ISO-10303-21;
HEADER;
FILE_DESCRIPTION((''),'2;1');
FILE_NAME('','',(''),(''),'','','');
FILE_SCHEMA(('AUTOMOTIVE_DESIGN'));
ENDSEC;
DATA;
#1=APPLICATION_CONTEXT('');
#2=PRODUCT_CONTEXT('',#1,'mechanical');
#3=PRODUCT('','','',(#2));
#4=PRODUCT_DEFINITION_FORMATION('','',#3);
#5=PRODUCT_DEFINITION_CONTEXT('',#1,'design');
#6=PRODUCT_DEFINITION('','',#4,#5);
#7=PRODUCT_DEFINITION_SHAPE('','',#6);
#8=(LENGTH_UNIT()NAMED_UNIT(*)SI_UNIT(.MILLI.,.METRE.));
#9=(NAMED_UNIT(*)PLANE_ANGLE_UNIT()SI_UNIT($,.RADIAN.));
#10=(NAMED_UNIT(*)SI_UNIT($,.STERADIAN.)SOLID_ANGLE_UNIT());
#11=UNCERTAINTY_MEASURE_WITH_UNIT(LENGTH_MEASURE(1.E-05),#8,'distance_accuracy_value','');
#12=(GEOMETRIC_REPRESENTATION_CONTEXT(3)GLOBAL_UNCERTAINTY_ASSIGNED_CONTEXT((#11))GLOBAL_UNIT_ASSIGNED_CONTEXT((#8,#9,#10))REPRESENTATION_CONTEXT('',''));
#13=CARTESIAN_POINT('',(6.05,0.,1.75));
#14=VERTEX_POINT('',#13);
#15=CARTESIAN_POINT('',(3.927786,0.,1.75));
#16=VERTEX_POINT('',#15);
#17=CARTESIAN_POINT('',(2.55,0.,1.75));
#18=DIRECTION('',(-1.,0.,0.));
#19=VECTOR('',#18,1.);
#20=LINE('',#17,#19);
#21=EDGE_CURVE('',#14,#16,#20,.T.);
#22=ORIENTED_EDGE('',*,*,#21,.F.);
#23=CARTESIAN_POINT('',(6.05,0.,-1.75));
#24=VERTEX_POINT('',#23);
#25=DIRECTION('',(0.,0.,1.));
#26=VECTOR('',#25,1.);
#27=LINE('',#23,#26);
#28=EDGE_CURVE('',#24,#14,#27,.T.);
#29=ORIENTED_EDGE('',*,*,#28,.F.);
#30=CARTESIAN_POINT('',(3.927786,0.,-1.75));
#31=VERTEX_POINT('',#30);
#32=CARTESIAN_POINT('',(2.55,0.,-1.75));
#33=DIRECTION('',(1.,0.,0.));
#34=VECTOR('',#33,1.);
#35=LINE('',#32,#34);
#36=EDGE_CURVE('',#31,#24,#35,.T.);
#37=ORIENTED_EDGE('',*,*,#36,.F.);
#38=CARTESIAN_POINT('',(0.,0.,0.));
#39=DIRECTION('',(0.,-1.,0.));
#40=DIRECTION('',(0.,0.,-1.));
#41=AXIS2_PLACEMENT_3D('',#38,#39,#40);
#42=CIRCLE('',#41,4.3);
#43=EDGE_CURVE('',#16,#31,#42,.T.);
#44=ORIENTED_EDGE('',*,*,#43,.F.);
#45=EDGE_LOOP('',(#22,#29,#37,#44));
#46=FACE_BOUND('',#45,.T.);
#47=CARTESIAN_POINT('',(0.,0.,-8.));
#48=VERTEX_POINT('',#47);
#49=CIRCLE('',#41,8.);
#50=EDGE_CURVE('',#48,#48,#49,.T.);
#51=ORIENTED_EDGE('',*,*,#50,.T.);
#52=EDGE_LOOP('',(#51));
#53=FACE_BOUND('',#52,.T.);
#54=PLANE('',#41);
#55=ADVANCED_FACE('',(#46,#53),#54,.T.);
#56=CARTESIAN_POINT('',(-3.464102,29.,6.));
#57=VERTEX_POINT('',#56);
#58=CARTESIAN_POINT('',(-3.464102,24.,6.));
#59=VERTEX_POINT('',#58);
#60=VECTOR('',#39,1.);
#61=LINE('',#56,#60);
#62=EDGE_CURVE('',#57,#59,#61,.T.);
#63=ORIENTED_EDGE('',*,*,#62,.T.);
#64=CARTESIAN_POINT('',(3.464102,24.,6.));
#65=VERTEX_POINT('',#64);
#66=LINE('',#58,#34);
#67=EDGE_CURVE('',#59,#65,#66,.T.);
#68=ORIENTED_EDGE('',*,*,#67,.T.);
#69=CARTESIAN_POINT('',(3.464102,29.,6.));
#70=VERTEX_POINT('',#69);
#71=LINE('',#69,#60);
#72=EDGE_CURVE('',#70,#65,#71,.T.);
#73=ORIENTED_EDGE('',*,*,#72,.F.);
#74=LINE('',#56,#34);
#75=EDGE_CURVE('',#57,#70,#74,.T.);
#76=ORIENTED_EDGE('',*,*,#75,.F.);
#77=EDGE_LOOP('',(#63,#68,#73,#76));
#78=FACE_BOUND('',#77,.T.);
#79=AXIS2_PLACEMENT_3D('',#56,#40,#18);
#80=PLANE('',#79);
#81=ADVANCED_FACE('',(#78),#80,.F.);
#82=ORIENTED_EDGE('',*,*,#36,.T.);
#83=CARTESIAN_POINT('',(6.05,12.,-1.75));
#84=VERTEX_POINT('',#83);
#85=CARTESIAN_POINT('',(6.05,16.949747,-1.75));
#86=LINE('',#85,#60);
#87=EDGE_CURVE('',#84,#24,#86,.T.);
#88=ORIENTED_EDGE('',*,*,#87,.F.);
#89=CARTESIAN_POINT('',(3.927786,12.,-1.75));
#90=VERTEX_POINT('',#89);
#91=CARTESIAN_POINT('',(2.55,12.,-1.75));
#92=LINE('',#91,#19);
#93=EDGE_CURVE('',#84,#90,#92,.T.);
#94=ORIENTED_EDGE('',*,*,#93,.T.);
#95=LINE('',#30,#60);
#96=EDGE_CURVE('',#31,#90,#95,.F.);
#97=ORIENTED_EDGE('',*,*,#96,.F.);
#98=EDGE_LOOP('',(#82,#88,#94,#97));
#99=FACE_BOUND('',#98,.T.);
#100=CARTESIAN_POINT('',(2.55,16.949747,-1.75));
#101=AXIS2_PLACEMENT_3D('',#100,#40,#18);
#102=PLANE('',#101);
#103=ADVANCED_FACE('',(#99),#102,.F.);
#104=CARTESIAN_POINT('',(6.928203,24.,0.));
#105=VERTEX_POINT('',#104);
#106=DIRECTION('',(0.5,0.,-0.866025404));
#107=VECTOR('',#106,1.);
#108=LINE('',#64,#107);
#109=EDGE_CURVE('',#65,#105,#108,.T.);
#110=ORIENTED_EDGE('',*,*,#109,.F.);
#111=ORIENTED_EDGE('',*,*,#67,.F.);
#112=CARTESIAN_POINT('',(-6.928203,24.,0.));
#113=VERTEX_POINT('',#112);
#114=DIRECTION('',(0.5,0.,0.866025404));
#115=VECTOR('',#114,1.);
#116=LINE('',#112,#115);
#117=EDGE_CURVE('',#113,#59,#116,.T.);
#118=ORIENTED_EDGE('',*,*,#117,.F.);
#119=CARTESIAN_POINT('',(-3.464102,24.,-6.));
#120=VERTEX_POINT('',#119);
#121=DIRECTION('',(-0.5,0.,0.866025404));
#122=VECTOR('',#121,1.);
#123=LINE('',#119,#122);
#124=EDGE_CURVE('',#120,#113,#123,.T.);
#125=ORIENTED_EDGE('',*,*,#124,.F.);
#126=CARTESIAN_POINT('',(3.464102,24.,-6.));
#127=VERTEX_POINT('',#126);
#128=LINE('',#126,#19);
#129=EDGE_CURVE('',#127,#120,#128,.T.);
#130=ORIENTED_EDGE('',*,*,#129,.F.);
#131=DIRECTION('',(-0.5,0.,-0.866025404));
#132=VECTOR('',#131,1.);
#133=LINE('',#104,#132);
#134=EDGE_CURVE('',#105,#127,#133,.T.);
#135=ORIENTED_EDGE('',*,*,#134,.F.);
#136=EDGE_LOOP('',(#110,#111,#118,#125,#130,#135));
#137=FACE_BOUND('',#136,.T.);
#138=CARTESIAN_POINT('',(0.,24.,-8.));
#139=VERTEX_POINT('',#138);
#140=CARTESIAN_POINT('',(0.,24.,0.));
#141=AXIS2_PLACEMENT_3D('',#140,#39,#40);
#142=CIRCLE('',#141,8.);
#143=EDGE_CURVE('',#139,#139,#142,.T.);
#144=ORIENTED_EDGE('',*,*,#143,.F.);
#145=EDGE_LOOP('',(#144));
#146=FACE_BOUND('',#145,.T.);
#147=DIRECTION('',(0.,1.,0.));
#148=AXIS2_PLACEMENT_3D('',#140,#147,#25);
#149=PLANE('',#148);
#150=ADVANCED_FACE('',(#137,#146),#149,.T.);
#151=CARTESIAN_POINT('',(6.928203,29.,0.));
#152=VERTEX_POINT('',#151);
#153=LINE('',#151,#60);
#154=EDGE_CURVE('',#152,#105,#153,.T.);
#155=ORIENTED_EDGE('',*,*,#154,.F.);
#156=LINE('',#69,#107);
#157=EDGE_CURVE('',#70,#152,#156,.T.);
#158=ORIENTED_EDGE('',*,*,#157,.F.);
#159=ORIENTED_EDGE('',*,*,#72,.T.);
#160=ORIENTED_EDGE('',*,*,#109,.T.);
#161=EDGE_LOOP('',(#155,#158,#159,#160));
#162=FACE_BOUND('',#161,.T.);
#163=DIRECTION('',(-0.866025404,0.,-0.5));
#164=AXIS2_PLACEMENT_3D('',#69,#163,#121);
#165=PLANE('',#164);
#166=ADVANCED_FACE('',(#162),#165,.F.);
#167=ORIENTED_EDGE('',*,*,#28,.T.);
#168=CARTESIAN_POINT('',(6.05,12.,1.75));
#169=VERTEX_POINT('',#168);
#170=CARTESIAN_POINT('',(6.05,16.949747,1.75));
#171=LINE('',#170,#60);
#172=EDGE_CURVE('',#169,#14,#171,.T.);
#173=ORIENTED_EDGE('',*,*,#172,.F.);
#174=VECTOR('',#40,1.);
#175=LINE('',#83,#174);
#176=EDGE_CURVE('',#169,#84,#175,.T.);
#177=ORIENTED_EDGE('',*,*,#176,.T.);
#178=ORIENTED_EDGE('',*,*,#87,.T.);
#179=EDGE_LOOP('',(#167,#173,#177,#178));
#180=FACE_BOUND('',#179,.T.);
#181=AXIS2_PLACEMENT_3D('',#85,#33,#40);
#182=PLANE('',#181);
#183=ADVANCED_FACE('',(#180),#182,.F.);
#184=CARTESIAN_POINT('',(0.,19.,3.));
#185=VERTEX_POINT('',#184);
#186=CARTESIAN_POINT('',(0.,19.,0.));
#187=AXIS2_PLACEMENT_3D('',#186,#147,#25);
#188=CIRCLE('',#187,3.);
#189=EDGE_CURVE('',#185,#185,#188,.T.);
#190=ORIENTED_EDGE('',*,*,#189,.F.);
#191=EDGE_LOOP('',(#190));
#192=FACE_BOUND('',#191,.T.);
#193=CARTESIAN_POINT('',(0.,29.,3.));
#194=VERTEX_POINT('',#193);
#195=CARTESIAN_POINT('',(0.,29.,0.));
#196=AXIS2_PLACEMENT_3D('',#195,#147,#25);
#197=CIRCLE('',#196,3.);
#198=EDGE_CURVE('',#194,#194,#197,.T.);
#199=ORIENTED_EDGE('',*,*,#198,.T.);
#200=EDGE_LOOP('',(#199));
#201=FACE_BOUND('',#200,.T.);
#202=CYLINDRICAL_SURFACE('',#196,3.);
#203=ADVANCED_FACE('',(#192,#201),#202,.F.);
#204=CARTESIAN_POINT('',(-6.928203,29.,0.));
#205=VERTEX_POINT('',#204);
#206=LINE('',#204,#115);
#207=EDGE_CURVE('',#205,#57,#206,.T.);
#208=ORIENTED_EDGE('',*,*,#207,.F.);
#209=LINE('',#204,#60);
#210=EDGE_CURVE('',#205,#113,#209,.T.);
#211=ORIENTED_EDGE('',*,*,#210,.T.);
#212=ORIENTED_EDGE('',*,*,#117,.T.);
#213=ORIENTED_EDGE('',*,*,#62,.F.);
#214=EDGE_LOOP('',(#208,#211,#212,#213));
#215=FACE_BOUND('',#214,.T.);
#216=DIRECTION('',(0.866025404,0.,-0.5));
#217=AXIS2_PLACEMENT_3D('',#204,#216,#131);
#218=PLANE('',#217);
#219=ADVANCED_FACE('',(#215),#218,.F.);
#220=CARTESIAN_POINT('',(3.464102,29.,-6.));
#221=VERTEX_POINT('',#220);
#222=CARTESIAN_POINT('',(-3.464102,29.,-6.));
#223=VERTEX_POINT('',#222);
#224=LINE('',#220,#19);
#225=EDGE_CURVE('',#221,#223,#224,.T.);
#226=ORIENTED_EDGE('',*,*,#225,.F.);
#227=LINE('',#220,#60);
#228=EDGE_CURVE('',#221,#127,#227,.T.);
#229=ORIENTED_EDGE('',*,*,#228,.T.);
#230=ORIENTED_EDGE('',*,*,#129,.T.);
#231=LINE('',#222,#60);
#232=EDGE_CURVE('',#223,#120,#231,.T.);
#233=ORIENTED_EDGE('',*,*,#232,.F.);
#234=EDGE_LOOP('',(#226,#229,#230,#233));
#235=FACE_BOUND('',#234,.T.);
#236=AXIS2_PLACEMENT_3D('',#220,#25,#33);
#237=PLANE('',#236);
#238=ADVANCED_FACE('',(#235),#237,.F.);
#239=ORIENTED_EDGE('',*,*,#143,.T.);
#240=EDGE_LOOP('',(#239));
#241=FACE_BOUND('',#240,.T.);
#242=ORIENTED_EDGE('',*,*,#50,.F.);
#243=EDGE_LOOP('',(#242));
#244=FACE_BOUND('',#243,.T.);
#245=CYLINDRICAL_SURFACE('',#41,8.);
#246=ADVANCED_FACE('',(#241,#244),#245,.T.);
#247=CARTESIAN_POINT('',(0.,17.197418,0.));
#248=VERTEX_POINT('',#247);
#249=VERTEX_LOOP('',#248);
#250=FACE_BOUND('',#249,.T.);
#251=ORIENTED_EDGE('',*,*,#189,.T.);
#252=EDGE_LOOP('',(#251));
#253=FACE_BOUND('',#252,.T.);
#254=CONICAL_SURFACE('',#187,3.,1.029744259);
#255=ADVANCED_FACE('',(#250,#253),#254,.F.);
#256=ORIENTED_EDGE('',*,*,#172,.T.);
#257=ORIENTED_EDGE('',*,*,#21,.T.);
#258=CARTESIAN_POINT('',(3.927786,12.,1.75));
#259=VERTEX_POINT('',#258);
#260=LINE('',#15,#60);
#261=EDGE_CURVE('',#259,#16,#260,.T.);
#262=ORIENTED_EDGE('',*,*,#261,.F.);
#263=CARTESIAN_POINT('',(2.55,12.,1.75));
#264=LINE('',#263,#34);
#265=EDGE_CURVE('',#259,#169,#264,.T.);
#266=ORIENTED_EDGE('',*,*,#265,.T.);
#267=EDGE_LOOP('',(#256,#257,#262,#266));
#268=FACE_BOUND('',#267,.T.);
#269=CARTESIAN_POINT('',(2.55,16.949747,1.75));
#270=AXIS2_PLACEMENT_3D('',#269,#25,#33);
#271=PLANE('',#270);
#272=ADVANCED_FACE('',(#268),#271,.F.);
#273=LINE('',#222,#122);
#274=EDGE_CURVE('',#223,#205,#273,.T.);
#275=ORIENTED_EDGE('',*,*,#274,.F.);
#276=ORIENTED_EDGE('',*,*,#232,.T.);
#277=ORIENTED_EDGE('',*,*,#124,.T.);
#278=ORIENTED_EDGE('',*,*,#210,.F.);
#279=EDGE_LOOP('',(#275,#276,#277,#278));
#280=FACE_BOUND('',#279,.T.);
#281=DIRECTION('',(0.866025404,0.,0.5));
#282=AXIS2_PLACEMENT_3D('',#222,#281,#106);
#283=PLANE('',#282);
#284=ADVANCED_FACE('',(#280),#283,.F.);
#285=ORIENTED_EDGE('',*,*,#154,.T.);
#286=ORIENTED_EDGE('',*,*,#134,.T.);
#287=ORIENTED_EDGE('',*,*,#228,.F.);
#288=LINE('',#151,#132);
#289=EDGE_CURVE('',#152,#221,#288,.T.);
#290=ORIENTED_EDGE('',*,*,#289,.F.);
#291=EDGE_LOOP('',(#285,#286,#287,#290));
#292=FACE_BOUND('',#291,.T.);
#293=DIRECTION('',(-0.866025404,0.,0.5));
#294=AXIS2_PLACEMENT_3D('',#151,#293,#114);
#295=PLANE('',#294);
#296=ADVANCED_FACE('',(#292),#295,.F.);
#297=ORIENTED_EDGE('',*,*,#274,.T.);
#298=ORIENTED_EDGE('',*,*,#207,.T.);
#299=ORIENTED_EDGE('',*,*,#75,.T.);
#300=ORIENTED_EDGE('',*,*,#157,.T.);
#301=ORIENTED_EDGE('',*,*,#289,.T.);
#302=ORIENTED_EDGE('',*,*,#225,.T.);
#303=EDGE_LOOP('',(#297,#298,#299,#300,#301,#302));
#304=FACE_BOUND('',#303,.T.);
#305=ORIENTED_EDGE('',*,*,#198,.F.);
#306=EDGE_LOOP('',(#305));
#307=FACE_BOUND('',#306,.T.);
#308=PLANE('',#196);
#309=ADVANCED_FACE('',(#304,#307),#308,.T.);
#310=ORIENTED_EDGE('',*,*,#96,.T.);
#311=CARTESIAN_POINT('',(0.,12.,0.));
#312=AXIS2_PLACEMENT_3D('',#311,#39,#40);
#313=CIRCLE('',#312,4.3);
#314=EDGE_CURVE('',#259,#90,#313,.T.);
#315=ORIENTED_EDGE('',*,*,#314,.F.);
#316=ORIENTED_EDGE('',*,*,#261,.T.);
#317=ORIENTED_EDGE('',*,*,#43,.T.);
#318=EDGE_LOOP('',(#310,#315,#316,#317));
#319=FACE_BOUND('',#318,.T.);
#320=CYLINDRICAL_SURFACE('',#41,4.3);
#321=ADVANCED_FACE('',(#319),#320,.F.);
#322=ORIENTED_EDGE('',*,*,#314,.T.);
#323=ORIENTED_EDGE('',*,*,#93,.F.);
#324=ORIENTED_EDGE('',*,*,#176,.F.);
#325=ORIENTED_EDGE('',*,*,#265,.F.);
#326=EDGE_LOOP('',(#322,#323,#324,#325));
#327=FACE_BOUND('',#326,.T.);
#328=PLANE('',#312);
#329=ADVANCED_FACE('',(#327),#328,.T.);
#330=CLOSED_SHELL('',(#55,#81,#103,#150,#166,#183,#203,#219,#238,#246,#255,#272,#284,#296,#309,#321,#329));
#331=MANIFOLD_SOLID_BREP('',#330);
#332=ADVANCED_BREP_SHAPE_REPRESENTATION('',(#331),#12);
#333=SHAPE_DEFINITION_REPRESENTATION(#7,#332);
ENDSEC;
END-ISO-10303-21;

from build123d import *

# Parameters (mm, degrees)
SKETCH1_W                 = 3.7
SKETCH1_H                 = 12
SKETCH1_W_2               = 8
BOSS_EXTRUDE1_DEPTH       = 5
F_6_0MM_DOWEL_HOLE1_D     = 6
F_6_0MM_DOWEL_HOLE1_DEPTH = 10
F_6_0MM_DOWEL_HOLE1_TIP   = 1.802581857
CUT_EXTRUDE1_START        = -12
SKETCH5_W                 = 3.5
SKETCH5_H                 = 3.5
CUT_EXTRUDE1_DEPTH        = 12


with BuildPart() as part:
    # Sketch1 → Revolve1 (revolve)
    with BuildSketch(Plane.XY, mode=Mode.PRIVATE) as revolve1_sk:
        with Locations((6.15, 6)):
            Rectangle(SKETCH1_W, SKETCH1_H)
        with Locations((4, 18)):
            Rectangle(SKETCH1_W_2, SKETCH1_H)
    revolve(revolve1_sk.sketch.rotate(Axis((0, 0, 0), (0, 1, 0)), 90), axis=Axis((0, 0, 0), (0, 1, 0)))

    # Sketch2 → Boss-Extrude1 (add)
    with BuildSketch(Plane(origin=(0, 24, 0), x_dir=(1, 0, 0), z_dir=(0, 1, 0))):
        Polygon((6.92820323, 0), (3.464101615, 6), (-3.464101615, 6), (-6.92820323, 0), (-3.464101615, -6), (3.464101615, -6), align=None)
    extrude(amount=BOSS_EXTRUDE1_DEPTH)

    # Ø6.0mm Dowel Hole1
    with Locations(Plane(origin=(0, 29, 0), x_dir=(1, 0, 0), z_dir=(0, 1, 0))):
        with Locations((0, 0)):
            Hole(F_6_0MM_DOWEL_HOLE1_D / 2, depth=F_6_0MM_DOWEL_HOLE1_DEPTH)
            with Locations((0, 0, -(F_6_0MM_DOWEL_HOLE1_DEPTH + F_6_0MM_DOWEL_HOLE1_TIP / 2))):  # 118° drill point
                Cone(0, F_6_0MM_DOWEL_HOLE1_D / 2, F_6_0MM_DOWEL_HOLE1_TIP, mode=Mode.SUBTRACT)

    # Sketch5 → Cut-Extrude1 (cut)
    with BuildSketch(Plane.XZ.offset(CUT_EXTRUDE1_START)):
        with Locations((4.3, 0)):
            Rectangle(SKETCH5_W, SKETCH5_H)
    extrude(amount=CUT_EXTRUDE1_DEPTH, mode=Mode.SUBTRACT)


solid = part.part
